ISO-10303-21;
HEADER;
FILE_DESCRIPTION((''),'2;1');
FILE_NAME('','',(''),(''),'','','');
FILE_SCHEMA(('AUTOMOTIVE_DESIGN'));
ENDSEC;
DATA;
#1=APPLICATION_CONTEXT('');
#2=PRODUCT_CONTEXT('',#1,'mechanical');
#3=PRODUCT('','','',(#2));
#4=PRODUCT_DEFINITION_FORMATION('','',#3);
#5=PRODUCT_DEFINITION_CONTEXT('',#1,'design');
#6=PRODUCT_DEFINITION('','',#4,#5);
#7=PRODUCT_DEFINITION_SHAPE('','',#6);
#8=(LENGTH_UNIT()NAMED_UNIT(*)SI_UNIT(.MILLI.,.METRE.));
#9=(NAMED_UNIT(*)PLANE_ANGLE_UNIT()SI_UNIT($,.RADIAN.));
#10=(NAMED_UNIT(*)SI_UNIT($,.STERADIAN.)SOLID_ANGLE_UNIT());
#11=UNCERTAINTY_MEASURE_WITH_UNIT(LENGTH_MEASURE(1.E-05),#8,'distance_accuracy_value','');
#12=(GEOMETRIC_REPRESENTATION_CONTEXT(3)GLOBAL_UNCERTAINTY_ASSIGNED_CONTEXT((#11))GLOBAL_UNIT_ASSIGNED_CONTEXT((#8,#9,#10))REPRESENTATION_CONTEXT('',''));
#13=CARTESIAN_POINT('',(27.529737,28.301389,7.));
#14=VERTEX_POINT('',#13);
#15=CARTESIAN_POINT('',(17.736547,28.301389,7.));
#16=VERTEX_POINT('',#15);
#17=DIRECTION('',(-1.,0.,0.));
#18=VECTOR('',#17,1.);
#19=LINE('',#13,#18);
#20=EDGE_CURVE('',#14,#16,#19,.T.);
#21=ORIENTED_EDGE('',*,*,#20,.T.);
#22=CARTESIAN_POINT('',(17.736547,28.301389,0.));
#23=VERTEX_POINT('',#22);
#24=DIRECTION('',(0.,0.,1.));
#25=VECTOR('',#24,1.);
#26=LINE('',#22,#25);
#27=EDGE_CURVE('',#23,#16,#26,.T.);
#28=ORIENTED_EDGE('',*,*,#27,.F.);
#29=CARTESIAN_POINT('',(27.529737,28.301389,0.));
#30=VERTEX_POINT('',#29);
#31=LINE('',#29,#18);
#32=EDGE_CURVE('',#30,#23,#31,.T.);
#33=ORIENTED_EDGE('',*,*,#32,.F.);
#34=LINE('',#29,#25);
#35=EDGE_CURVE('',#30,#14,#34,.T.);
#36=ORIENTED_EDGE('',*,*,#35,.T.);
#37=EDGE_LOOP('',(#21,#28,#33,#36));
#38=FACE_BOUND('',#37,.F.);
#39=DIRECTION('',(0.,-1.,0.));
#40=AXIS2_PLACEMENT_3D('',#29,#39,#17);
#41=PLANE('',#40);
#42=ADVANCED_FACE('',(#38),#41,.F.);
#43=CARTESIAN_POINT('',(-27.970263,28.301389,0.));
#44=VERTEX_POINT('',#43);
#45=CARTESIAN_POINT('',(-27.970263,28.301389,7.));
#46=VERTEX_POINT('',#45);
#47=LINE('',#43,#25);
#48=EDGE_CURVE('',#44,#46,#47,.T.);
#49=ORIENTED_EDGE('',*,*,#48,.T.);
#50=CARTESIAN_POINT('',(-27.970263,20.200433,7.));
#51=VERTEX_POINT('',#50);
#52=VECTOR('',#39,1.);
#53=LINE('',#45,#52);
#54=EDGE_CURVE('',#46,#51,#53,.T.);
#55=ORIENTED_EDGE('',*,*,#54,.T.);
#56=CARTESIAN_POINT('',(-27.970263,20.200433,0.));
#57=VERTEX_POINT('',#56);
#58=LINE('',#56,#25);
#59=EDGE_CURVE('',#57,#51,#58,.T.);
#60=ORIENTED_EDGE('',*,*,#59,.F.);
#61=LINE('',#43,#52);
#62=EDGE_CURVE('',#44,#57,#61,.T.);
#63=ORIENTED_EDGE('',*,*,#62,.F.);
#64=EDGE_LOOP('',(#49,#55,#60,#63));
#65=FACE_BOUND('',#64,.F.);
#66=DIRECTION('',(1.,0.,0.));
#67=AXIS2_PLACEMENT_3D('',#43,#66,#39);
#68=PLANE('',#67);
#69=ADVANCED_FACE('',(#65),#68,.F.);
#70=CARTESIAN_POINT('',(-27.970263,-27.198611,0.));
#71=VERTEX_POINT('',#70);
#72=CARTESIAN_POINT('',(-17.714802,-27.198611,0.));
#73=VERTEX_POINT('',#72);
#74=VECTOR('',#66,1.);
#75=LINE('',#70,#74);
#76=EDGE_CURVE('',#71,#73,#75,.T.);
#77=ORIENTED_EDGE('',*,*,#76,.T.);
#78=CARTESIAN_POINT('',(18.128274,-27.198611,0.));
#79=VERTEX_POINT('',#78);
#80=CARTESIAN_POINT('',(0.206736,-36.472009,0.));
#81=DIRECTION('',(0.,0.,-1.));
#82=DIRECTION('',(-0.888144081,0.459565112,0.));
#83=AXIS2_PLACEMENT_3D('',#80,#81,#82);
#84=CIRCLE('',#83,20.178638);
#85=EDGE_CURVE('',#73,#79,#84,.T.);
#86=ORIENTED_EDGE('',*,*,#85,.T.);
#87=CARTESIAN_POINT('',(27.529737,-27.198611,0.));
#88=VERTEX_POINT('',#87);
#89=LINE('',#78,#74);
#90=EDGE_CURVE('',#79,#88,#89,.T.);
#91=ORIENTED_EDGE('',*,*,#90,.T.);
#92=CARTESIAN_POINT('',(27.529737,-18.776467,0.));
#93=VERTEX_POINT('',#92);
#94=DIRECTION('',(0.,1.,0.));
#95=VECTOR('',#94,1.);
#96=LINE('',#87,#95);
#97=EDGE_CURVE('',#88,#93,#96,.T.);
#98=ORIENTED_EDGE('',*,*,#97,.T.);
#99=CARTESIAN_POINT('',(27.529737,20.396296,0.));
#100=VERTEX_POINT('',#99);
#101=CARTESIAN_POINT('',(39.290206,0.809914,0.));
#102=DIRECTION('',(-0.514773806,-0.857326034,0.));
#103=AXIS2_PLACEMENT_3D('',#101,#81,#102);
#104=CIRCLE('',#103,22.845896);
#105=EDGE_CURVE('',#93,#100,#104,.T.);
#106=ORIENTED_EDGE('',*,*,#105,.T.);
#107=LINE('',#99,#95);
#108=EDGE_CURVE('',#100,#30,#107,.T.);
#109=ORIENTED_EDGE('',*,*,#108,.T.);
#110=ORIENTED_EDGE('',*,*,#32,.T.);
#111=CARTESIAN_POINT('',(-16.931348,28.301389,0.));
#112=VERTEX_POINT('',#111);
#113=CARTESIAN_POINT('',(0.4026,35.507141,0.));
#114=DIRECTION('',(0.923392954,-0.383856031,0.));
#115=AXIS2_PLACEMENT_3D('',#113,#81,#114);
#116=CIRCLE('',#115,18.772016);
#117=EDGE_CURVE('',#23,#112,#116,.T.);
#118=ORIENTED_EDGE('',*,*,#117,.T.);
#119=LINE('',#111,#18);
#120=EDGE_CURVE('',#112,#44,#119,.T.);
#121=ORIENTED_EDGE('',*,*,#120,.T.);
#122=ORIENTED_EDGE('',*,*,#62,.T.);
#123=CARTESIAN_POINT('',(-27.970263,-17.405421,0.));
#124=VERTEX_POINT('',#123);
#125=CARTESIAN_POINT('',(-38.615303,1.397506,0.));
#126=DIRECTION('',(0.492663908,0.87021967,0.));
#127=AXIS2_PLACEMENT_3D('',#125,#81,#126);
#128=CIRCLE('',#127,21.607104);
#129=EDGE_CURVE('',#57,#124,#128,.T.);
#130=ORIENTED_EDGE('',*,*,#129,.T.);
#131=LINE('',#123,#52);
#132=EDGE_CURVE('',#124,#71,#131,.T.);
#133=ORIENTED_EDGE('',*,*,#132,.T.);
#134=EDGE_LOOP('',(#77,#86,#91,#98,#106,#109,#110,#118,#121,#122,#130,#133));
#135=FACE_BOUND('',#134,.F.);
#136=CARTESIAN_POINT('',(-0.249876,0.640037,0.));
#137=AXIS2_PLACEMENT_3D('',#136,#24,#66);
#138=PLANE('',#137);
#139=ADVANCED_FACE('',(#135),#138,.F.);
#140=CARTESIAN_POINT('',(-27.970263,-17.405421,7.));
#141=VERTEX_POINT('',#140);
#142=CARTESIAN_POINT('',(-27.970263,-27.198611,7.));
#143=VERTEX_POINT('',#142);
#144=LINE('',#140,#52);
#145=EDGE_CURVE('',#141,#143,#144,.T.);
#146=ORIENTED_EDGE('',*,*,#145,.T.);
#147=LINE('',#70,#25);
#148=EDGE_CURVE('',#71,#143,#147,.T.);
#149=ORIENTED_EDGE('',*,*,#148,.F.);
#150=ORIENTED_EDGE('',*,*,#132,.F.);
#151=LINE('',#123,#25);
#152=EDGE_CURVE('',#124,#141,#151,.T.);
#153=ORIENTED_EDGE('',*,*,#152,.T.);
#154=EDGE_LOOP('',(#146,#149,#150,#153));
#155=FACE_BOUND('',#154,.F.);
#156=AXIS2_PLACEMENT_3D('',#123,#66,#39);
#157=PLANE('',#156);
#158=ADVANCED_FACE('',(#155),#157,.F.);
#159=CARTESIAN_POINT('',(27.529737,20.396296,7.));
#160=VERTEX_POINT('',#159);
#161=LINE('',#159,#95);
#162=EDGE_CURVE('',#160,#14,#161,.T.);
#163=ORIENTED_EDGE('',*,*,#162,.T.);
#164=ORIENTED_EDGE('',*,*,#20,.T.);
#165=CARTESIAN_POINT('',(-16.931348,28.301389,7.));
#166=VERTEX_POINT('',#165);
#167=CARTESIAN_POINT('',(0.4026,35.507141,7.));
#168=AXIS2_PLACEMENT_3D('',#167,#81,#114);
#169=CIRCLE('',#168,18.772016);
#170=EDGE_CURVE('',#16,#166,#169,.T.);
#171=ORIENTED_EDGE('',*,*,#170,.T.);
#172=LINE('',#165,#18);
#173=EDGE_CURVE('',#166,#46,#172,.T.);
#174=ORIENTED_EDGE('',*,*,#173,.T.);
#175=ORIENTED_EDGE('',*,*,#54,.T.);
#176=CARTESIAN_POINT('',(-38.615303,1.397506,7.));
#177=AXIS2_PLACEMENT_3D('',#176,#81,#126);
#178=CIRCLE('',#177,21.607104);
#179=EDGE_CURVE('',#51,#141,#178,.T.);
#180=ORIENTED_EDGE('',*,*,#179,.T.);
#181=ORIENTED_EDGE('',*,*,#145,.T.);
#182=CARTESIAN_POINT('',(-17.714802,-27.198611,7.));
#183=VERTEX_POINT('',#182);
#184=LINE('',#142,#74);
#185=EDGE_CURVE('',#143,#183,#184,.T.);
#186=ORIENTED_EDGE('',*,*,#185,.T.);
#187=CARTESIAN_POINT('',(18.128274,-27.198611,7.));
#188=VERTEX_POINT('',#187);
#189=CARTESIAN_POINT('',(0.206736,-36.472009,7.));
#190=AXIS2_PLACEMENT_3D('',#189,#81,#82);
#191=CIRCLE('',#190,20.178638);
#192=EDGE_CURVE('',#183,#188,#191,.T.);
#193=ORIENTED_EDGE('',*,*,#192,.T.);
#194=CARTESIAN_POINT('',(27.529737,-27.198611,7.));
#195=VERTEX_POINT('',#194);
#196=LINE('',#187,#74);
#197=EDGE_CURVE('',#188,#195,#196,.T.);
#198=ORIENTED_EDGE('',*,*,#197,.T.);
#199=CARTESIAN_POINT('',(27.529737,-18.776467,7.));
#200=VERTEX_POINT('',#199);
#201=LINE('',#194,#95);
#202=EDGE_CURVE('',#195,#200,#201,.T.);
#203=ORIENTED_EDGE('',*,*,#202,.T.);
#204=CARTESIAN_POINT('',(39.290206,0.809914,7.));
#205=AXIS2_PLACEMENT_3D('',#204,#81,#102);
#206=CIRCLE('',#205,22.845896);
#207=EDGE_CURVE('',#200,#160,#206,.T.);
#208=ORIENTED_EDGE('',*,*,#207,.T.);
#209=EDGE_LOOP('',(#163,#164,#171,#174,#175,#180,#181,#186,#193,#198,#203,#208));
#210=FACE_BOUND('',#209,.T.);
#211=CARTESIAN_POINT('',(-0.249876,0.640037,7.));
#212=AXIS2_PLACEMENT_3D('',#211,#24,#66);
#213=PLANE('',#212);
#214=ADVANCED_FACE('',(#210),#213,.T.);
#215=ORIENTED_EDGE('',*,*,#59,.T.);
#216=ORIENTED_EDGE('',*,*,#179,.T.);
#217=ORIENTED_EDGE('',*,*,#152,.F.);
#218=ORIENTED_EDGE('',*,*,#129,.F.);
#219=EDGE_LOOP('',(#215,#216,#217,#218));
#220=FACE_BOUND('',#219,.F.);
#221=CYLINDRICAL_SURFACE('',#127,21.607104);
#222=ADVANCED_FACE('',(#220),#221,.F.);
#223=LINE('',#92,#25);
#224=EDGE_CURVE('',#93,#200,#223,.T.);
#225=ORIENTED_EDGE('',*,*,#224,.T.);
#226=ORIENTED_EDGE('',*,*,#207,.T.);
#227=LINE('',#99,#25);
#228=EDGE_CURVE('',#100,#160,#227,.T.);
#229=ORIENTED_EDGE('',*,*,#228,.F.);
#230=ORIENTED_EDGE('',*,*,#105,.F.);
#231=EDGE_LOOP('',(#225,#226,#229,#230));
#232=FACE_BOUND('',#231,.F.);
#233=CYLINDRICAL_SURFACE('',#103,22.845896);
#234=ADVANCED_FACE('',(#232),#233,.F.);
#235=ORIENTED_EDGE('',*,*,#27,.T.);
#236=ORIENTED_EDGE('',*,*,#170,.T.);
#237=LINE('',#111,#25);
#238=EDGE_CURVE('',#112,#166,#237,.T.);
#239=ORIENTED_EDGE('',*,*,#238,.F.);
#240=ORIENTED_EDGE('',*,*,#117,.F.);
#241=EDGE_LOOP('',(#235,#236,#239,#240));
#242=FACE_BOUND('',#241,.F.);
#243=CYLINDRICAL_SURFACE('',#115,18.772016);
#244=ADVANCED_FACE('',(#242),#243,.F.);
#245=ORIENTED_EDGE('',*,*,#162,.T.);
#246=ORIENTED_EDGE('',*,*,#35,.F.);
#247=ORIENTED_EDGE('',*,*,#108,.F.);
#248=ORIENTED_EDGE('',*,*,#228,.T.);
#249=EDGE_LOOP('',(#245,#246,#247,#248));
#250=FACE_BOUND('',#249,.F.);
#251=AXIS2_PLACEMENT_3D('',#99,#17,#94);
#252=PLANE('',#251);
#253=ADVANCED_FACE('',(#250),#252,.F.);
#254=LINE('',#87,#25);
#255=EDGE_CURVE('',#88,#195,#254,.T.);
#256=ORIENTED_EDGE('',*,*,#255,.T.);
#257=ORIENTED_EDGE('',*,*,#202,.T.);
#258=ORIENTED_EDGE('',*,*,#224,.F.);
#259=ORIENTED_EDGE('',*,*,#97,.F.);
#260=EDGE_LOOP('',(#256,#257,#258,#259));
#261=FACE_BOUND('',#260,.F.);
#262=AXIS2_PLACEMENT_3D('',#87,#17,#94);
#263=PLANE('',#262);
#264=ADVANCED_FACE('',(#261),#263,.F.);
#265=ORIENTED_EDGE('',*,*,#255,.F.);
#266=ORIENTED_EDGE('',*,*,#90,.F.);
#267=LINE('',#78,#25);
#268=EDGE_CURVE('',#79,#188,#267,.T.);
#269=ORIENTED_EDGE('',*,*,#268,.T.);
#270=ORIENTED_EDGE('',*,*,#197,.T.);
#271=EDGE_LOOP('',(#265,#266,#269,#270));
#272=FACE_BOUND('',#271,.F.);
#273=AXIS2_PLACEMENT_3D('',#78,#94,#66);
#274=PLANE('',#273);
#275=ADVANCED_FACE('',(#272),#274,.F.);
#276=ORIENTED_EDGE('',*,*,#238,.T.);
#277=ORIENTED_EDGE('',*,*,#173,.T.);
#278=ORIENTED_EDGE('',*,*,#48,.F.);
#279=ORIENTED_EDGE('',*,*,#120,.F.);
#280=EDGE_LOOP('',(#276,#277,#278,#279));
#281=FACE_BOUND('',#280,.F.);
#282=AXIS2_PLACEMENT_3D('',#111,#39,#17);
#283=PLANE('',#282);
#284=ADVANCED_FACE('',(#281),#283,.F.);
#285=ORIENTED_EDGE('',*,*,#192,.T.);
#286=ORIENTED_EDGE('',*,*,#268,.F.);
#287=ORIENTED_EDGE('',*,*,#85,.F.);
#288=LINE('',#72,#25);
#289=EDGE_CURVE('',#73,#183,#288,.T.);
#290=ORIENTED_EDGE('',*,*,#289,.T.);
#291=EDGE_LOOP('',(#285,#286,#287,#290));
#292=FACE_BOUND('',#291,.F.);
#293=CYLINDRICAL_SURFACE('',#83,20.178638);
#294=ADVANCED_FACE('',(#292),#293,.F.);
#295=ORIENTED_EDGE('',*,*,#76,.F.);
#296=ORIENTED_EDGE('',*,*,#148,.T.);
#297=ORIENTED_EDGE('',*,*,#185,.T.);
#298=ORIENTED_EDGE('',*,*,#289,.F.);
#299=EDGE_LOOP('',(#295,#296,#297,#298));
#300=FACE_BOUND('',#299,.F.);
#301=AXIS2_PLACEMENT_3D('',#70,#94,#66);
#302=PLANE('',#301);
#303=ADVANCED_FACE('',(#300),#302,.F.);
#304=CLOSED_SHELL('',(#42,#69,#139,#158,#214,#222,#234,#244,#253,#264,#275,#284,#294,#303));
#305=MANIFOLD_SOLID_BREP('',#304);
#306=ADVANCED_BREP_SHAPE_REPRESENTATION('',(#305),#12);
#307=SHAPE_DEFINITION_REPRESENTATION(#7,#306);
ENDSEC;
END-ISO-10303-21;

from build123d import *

# Parameters (mm, degrees)
F0_R     = 11.2
F1_DEPTH = 7


with BuildPart() as f1:
    # F0 (on Top) → F1 (new body)
    with BuildSketch(Plane.XY):
        with BuildLine():
            Line((-16.931347549, 28.3013891727), (-27.9702630192, 28.3013891727))
            Line((-27.9702630192, 28.3013891727), (-27.9702630192, 20.2004332095))
            ThreePointArc((-27.9702630192, 20.2004332095), (-17.0081993293, 1.3975063339), (-27.9702630192, -17.4054205418))
            Line((-27.9702630192, -17.4054205418), (-27.9702630192, -27.1986108273))
            Line((-27.9702630192, -27.1986108273), (-17.7148021758, -27.1986108273))
            ThreePointArc((-17.7148021758, -27.1986108273), (0.2067359164, -16.2933707346), (18.1282740086, -27.1986108273))
            Line((18.1282740086, -27.1986108273), (27.5297369808, -27.1986108273))
            Line((27.5297369808, -27.1986108273), (27.5297369808, -18.77646707))
            ThreePointArc((27.5297369808, -18.77646707), (16.4443097579, 0.8099144325), (27.5297369808, 20.3962959349))
            Line((27.5297369808, 20.3962959349), (27.5297369808, 28.3013891727))
            Line((27.5297369808, 28.3013891727), (17.7365466952, 28.3013891727))
            ThreePointArc((17.7365466952, 28.3013891727), (0.4025995731, 16.7351248548), (-16.931347549, 28.3013891727))
        make_face()
        Circle(F0_R, mode=Mode.SUBTRACT)
        Circle(F0_R)
    extrude(amount=F1_DEPTH)


solid = f1.part
